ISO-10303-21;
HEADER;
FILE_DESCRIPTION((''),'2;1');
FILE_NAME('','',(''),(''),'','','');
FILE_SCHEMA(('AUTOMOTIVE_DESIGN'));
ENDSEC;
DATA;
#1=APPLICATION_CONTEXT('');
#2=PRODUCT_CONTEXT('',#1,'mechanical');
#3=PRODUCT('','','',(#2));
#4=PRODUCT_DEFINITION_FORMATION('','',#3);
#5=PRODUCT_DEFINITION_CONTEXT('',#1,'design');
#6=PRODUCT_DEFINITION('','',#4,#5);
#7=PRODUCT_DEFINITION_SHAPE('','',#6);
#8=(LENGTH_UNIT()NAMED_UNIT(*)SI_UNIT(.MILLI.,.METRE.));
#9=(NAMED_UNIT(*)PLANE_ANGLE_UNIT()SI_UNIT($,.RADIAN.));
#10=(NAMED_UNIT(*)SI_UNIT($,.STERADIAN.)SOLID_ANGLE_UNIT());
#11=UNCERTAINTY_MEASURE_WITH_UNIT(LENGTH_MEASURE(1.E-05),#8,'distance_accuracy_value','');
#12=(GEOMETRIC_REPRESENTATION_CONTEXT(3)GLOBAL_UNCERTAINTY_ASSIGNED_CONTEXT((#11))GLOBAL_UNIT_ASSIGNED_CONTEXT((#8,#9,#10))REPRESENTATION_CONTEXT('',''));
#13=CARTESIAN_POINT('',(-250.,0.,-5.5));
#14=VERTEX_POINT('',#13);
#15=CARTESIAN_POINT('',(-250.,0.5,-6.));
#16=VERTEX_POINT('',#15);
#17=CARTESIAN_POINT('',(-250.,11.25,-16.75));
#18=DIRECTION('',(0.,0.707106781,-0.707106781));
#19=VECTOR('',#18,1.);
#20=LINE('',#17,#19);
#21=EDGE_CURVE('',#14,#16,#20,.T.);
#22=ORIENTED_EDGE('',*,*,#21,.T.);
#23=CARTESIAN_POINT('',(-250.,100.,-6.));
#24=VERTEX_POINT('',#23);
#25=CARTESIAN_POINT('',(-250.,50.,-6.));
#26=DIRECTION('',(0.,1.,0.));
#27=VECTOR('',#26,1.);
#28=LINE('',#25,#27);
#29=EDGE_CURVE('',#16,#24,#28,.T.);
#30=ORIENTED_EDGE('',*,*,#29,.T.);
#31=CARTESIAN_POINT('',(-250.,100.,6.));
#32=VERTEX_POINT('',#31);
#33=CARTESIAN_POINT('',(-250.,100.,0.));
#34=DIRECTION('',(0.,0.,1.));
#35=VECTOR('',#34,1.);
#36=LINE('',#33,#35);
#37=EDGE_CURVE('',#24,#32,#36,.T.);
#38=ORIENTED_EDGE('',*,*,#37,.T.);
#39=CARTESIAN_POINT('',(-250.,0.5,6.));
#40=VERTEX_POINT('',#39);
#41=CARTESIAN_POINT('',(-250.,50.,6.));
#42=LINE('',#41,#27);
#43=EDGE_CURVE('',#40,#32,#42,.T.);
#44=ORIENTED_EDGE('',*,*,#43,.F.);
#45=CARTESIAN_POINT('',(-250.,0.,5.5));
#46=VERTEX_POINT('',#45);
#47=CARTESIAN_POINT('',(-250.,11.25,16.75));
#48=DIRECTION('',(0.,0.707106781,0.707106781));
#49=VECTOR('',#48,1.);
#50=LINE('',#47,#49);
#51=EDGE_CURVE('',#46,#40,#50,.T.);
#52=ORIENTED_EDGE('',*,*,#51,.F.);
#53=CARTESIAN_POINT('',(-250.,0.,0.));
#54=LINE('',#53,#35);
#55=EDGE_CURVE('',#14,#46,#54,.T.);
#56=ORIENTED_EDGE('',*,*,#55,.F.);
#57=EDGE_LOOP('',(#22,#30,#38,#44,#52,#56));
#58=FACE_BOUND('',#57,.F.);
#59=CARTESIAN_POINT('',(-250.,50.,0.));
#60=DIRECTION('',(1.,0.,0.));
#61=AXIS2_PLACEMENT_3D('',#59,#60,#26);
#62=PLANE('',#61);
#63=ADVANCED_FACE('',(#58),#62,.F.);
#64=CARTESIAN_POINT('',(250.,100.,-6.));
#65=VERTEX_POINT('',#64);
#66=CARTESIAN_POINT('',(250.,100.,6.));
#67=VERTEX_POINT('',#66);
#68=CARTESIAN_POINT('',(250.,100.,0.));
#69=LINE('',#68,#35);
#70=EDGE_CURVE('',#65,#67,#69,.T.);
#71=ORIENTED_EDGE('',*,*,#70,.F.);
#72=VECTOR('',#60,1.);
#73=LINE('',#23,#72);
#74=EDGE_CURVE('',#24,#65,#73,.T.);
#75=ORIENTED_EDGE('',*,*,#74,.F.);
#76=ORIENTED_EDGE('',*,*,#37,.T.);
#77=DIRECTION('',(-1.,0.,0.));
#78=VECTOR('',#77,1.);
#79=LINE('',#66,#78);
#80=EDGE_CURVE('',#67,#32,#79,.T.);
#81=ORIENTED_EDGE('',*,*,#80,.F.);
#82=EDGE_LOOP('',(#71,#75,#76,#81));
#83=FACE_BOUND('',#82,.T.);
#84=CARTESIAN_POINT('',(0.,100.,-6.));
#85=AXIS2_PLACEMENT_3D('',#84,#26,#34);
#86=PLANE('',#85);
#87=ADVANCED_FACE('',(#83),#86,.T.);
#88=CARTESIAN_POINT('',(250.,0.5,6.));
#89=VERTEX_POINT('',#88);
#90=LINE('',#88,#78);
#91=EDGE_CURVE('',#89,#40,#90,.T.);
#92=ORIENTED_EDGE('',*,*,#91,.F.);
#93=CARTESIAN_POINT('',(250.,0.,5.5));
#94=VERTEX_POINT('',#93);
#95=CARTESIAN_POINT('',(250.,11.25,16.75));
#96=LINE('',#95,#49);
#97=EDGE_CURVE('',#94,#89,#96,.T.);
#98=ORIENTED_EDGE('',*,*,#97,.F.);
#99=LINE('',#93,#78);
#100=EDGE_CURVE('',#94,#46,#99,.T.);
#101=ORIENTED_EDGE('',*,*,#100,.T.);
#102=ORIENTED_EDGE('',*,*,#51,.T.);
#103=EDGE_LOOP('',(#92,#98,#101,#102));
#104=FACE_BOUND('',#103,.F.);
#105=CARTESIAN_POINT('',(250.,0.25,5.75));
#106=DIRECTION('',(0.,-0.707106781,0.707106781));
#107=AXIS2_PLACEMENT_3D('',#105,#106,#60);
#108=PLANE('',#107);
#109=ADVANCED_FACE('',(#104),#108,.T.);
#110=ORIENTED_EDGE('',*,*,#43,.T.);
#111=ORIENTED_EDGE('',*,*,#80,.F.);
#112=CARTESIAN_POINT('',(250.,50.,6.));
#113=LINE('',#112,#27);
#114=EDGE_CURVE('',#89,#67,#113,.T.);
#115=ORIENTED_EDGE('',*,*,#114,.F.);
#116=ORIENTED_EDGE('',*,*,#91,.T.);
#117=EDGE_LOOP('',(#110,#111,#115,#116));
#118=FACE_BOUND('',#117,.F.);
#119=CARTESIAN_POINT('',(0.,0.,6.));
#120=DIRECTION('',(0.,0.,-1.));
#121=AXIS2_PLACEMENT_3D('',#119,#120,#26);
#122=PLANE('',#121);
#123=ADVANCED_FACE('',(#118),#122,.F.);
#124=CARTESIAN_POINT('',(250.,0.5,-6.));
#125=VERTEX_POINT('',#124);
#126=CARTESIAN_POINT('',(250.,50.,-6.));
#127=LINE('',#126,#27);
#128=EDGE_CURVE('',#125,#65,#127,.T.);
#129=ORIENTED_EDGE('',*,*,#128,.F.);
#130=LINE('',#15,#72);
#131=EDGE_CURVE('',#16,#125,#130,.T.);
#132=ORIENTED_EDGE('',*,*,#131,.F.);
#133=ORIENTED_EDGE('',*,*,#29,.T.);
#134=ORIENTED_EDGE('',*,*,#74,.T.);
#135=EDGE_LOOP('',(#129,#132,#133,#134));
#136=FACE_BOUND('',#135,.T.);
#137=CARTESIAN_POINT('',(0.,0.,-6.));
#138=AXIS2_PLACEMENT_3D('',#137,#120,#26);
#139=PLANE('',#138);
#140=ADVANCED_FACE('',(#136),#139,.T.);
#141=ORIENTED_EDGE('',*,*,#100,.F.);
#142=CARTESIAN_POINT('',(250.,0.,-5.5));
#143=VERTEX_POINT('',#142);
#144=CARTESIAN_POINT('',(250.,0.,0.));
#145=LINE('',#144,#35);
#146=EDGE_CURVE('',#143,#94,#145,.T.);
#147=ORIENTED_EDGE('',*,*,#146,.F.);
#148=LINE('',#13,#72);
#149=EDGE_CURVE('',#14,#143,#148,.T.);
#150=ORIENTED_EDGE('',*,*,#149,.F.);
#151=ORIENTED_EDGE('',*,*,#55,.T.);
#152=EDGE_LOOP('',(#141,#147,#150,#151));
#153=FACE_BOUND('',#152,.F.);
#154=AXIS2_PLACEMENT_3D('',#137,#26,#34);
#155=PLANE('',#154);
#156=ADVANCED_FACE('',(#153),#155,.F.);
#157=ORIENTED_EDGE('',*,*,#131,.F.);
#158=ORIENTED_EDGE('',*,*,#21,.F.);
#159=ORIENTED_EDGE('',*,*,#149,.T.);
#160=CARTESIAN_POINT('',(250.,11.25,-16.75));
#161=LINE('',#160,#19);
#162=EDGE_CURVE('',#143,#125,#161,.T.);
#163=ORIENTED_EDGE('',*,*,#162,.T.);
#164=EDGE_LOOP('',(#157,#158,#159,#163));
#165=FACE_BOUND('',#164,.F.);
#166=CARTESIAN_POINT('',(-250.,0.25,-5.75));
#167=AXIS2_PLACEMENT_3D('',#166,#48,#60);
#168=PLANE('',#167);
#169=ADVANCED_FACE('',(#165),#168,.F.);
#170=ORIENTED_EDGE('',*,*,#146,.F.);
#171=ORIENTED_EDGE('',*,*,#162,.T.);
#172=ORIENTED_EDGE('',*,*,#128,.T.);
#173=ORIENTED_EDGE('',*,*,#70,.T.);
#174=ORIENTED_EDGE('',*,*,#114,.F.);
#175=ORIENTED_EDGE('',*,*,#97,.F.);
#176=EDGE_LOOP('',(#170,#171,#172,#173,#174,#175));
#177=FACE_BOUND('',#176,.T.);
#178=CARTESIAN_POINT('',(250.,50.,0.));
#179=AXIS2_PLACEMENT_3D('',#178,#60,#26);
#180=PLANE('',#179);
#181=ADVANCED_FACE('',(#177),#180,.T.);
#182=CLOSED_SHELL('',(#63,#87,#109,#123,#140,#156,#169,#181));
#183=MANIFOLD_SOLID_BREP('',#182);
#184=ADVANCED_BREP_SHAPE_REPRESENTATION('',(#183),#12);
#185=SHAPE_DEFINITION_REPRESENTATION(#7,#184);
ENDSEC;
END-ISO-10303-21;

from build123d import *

# Parameters (mm, degrees)
F0_W     = 100
F0_H     = 12
F1_DEPTH = 250
F2_SIZE  = 0.5


with BuildPart() as f1:
    # F0 (on Right) → F1 (new body, symmetric)
    with BuildSketch(Plane.YZ):
        with Locations((50, 0)):
            Rectangle(F0_W, F0_H)
    extrude(amount=F1_DEPTH, both=True)

    # F2
    f2_edges = [f1.edges().sort_by_distance(p)[0] for p in [
        (0, 0, 6),
        (0, 0, -6),
    ]]
    chamfer(f2_edges, length=F2_SIZE)


solid = f1.part
